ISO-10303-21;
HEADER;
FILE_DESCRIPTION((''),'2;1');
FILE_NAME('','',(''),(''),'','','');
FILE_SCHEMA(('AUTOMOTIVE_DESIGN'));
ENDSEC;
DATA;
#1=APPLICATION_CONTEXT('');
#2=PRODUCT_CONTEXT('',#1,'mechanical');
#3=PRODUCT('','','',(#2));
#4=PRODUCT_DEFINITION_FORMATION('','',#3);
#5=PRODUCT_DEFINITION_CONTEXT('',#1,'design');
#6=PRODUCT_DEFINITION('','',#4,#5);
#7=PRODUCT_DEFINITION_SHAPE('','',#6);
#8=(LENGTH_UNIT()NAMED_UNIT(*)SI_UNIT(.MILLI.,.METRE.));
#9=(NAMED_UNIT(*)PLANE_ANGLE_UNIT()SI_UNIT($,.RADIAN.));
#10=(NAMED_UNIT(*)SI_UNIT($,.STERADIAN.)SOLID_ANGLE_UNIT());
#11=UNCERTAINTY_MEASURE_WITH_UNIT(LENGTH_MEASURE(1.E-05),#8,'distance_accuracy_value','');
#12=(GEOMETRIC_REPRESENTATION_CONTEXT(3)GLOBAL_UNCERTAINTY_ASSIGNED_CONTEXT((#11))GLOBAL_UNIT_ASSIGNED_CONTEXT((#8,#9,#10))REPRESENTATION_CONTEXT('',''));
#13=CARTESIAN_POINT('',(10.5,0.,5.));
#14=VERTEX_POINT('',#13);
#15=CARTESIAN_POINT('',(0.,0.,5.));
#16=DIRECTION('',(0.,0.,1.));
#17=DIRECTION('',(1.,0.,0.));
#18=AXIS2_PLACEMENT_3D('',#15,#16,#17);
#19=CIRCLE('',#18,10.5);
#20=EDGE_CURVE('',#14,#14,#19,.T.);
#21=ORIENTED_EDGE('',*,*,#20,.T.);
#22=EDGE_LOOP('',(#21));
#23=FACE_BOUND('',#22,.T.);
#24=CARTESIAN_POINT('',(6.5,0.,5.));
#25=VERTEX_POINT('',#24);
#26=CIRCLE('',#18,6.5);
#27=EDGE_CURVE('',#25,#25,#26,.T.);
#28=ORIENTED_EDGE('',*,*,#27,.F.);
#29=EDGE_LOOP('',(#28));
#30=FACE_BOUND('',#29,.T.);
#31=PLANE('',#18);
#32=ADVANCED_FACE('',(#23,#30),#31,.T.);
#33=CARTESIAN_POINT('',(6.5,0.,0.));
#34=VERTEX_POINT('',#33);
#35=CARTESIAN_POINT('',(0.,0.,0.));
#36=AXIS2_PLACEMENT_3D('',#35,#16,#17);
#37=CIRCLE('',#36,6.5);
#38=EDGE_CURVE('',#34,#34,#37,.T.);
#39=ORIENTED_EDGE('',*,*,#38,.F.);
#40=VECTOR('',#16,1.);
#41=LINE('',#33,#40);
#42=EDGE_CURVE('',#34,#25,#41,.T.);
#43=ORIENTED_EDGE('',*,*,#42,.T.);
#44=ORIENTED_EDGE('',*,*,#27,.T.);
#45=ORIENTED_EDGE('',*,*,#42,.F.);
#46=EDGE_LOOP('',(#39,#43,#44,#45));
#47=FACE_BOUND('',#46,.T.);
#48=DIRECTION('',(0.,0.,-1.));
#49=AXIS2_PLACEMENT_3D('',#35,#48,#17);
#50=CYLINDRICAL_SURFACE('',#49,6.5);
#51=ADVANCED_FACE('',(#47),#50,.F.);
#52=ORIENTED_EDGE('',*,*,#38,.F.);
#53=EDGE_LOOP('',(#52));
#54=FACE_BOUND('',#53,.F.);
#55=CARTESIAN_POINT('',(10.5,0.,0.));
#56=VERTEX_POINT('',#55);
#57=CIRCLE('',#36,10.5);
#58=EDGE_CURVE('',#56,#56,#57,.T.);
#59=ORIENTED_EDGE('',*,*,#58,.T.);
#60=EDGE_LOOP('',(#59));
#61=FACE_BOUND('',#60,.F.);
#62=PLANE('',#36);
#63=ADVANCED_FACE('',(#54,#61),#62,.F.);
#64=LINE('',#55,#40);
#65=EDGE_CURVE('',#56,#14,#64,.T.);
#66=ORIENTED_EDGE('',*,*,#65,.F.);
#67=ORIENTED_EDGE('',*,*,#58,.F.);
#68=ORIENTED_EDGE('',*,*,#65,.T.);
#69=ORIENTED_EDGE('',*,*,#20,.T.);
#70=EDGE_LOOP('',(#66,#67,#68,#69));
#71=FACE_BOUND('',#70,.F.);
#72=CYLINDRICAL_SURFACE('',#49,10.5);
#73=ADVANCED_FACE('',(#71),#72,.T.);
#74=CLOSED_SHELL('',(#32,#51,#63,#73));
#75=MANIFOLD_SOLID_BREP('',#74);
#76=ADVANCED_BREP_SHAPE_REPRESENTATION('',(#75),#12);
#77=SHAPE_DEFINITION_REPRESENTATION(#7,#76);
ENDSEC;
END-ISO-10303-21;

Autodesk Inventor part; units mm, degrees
ref_plane "YZ Plane" through (0, 0, 0) normal (1, 0, 0) x (0, 1, 0)
ref_plane "XZ Plane" through (0, 0, 0) normal (0, 1, 0) x (-1, 0, 0)
ref_plane "XY Plane" through (0, 0, 0) normal (0, 0, 1) x (1, 0, 0)
sketch "Skizze1" plane through (0, 0, 0) normal (0, 0, 1) x (1, 0, 0)
  circle A0 centre (0, 0) radius 6.5
  circle A1 centre (0, 0) radius 10.5
  dimension "d0" = 4
  dimension "d1" = 13
extrude "Extrusion1" add sketch "Skizze1" along normal blind 5
properties part number "BearingGuide" material "ABS-Kunststoff"
